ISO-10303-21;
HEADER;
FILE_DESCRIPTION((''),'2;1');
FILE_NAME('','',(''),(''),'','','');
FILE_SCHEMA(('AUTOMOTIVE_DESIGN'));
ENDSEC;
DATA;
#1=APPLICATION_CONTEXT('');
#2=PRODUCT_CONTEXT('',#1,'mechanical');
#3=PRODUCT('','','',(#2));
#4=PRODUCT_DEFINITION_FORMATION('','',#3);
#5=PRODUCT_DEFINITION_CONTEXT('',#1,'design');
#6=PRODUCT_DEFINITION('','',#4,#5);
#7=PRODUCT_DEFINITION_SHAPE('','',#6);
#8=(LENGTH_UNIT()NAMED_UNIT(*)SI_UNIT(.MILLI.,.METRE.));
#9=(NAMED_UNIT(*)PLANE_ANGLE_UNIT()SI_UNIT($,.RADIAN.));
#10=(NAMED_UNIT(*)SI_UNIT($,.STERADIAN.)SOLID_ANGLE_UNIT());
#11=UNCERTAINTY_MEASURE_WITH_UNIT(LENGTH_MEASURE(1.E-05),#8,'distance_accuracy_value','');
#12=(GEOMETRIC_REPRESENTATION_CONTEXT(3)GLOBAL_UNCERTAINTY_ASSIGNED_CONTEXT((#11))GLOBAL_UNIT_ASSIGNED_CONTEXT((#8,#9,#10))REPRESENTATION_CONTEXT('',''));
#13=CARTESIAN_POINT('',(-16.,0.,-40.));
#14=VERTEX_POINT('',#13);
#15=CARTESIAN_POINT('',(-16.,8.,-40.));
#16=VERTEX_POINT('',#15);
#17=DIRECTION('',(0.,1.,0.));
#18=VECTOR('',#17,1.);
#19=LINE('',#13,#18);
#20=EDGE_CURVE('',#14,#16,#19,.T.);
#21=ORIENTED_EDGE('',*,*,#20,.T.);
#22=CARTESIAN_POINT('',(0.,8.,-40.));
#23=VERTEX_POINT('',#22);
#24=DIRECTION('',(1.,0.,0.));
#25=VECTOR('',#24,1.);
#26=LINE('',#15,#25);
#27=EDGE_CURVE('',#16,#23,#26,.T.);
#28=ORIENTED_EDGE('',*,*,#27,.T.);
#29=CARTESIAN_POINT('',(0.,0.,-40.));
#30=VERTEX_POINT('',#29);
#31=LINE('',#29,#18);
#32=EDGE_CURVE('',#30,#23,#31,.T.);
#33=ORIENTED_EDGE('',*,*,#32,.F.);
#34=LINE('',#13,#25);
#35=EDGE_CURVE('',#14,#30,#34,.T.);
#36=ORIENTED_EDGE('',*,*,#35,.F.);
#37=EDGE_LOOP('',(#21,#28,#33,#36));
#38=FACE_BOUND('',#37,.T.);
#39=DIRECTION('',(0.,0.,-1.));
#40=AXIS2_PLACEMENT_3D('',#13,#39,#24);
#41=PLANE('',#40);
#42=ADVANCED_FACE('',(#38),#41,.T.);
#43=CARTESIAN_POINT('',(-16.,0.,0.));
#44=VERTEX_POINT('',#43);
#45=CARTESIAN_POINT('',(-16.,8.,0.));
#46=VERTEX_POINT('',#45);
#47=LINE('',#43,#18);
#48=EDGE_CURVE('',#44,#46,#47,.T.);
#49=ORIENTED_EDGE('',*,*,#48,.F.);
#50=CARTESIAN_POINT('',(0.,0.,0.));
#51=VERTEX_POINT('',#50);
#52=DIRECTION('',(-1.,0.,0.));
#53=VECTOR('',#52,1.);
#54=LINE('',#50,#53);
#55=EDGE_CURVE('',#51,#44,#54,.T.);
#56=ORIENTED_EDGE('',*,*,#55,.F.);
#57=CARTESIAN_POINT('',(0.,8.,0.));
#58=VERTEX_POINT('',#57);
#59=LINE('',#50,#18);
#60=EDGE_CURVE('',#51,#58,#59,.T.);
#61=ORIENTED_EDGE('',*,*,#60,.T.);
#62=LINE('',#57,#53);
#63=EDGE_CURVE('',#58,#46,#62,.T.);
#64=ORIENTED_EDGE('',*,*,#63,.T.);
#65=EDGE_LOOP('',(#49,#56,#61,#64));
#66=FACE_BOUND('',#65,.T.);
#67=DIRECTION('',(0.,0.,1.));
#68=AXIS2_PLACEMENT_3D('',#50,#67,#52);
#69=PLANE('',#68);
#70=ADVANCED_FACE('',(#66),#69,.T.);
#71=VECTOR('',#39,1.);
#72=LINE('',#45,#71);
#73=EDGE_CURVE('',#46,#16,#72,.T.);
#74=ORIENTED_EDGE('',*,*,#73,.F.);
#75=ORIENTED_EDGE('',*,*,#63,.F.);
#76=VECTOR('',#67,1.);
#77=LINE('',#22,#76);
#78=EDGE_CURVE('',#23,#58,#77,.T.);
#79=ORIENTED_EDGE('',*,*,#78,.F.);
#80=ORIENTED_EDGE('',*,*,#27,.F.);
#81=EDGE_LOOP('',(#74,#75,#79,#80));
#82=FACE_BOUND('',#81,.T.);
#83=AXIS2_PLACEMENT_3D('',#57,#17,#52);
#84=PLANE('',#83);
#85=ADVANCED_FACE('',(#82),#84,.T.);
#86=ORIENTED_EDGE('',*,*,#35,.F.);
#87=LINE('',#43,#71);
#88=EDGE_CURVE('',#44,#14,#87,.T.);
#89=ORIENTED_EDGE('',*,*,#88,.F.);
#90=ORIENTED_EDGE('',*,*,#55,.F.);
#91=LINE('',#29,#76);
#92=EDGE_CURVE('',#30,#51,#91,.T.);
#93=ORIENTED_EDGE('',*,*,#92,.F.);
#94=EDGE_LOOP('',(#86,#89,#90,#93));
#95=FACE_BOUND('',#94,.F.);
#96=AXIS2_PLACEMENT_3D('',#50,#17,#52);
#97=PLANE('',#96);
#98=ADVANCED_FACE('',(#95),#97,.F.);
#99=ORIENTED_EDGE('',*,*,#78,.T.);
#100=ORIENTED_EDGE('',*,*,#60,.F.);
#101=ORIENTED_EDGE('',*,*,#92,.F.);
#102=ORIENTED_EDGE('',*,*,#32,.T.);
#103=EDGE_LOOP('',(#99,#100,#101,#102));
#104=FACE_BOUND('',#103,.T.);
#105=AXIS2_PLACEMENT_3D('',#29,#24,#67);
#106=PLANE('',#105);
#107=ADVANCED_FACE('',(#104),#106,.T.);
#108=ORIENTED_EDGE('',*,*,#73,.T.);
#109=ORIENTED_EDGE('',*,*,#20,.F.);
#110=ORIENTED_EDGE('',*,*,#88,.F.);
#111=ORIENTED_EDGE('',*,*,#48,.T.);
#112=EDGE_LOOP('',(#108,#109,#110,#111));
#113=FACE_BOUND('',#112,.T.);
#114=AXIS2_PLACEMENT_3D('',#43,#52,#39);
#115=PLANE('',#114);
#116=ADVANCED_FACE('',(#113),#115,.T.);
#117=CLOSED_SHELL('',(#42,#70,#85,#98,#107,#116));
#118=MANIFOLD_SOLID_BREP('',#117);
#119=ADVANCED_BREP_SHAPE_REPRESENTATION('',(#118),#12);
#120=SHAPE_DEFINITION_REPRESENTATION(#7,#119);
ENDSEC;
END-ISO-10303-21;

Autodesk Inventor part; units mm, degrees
ref_plane "YZ Plane" through (0, 0, 0) normal (1, 0, 0) x (0, 1, 0)
ref_plane "XZ Plane" through (0, 0, 0) normal (0, 1, 0) x (-1, 0, 0)
ref_plane "XY Plane" through (0, 0, 0) normal (0, 0, 1) x (1, 0, 0)
sketch "Sketch1" plane through (0, 0, 0) normal (0, 1, 0) x (-1, 0, 0)
  line L0 (0, 0) -> (16, 0)
  line L1 (16, 0) -> (16, -40)
  line L2 (16, -40) -> (0, -40)
  line L3 (0, -40) -> (0, 0)
  dimension "d0" = 16
  dimension "d1" = 40
extrude "Extrusion1" add sketch "Sketch1" along normal blind 8
sketch "Sketch2" plane through (0, 8, 0) normal (0, 1, 0) x (1, 0, 0)
  line L0 (-13.8399, 1.0329) -> (-13.8399, 38.6588) construction
  line L1 (-13.8399, 38.6588) -> (-2.21, 38.6588) construction
  line L2 (-2.21, 38.6588) -> (-2.21, 1.0329) construction
  line L3 (-2.21, 1.0329) -> (-13.8399, 1.0329) construction
  point P0 (0, 0)
decal "Decal1"
properties part number "14seg_surrogate"
